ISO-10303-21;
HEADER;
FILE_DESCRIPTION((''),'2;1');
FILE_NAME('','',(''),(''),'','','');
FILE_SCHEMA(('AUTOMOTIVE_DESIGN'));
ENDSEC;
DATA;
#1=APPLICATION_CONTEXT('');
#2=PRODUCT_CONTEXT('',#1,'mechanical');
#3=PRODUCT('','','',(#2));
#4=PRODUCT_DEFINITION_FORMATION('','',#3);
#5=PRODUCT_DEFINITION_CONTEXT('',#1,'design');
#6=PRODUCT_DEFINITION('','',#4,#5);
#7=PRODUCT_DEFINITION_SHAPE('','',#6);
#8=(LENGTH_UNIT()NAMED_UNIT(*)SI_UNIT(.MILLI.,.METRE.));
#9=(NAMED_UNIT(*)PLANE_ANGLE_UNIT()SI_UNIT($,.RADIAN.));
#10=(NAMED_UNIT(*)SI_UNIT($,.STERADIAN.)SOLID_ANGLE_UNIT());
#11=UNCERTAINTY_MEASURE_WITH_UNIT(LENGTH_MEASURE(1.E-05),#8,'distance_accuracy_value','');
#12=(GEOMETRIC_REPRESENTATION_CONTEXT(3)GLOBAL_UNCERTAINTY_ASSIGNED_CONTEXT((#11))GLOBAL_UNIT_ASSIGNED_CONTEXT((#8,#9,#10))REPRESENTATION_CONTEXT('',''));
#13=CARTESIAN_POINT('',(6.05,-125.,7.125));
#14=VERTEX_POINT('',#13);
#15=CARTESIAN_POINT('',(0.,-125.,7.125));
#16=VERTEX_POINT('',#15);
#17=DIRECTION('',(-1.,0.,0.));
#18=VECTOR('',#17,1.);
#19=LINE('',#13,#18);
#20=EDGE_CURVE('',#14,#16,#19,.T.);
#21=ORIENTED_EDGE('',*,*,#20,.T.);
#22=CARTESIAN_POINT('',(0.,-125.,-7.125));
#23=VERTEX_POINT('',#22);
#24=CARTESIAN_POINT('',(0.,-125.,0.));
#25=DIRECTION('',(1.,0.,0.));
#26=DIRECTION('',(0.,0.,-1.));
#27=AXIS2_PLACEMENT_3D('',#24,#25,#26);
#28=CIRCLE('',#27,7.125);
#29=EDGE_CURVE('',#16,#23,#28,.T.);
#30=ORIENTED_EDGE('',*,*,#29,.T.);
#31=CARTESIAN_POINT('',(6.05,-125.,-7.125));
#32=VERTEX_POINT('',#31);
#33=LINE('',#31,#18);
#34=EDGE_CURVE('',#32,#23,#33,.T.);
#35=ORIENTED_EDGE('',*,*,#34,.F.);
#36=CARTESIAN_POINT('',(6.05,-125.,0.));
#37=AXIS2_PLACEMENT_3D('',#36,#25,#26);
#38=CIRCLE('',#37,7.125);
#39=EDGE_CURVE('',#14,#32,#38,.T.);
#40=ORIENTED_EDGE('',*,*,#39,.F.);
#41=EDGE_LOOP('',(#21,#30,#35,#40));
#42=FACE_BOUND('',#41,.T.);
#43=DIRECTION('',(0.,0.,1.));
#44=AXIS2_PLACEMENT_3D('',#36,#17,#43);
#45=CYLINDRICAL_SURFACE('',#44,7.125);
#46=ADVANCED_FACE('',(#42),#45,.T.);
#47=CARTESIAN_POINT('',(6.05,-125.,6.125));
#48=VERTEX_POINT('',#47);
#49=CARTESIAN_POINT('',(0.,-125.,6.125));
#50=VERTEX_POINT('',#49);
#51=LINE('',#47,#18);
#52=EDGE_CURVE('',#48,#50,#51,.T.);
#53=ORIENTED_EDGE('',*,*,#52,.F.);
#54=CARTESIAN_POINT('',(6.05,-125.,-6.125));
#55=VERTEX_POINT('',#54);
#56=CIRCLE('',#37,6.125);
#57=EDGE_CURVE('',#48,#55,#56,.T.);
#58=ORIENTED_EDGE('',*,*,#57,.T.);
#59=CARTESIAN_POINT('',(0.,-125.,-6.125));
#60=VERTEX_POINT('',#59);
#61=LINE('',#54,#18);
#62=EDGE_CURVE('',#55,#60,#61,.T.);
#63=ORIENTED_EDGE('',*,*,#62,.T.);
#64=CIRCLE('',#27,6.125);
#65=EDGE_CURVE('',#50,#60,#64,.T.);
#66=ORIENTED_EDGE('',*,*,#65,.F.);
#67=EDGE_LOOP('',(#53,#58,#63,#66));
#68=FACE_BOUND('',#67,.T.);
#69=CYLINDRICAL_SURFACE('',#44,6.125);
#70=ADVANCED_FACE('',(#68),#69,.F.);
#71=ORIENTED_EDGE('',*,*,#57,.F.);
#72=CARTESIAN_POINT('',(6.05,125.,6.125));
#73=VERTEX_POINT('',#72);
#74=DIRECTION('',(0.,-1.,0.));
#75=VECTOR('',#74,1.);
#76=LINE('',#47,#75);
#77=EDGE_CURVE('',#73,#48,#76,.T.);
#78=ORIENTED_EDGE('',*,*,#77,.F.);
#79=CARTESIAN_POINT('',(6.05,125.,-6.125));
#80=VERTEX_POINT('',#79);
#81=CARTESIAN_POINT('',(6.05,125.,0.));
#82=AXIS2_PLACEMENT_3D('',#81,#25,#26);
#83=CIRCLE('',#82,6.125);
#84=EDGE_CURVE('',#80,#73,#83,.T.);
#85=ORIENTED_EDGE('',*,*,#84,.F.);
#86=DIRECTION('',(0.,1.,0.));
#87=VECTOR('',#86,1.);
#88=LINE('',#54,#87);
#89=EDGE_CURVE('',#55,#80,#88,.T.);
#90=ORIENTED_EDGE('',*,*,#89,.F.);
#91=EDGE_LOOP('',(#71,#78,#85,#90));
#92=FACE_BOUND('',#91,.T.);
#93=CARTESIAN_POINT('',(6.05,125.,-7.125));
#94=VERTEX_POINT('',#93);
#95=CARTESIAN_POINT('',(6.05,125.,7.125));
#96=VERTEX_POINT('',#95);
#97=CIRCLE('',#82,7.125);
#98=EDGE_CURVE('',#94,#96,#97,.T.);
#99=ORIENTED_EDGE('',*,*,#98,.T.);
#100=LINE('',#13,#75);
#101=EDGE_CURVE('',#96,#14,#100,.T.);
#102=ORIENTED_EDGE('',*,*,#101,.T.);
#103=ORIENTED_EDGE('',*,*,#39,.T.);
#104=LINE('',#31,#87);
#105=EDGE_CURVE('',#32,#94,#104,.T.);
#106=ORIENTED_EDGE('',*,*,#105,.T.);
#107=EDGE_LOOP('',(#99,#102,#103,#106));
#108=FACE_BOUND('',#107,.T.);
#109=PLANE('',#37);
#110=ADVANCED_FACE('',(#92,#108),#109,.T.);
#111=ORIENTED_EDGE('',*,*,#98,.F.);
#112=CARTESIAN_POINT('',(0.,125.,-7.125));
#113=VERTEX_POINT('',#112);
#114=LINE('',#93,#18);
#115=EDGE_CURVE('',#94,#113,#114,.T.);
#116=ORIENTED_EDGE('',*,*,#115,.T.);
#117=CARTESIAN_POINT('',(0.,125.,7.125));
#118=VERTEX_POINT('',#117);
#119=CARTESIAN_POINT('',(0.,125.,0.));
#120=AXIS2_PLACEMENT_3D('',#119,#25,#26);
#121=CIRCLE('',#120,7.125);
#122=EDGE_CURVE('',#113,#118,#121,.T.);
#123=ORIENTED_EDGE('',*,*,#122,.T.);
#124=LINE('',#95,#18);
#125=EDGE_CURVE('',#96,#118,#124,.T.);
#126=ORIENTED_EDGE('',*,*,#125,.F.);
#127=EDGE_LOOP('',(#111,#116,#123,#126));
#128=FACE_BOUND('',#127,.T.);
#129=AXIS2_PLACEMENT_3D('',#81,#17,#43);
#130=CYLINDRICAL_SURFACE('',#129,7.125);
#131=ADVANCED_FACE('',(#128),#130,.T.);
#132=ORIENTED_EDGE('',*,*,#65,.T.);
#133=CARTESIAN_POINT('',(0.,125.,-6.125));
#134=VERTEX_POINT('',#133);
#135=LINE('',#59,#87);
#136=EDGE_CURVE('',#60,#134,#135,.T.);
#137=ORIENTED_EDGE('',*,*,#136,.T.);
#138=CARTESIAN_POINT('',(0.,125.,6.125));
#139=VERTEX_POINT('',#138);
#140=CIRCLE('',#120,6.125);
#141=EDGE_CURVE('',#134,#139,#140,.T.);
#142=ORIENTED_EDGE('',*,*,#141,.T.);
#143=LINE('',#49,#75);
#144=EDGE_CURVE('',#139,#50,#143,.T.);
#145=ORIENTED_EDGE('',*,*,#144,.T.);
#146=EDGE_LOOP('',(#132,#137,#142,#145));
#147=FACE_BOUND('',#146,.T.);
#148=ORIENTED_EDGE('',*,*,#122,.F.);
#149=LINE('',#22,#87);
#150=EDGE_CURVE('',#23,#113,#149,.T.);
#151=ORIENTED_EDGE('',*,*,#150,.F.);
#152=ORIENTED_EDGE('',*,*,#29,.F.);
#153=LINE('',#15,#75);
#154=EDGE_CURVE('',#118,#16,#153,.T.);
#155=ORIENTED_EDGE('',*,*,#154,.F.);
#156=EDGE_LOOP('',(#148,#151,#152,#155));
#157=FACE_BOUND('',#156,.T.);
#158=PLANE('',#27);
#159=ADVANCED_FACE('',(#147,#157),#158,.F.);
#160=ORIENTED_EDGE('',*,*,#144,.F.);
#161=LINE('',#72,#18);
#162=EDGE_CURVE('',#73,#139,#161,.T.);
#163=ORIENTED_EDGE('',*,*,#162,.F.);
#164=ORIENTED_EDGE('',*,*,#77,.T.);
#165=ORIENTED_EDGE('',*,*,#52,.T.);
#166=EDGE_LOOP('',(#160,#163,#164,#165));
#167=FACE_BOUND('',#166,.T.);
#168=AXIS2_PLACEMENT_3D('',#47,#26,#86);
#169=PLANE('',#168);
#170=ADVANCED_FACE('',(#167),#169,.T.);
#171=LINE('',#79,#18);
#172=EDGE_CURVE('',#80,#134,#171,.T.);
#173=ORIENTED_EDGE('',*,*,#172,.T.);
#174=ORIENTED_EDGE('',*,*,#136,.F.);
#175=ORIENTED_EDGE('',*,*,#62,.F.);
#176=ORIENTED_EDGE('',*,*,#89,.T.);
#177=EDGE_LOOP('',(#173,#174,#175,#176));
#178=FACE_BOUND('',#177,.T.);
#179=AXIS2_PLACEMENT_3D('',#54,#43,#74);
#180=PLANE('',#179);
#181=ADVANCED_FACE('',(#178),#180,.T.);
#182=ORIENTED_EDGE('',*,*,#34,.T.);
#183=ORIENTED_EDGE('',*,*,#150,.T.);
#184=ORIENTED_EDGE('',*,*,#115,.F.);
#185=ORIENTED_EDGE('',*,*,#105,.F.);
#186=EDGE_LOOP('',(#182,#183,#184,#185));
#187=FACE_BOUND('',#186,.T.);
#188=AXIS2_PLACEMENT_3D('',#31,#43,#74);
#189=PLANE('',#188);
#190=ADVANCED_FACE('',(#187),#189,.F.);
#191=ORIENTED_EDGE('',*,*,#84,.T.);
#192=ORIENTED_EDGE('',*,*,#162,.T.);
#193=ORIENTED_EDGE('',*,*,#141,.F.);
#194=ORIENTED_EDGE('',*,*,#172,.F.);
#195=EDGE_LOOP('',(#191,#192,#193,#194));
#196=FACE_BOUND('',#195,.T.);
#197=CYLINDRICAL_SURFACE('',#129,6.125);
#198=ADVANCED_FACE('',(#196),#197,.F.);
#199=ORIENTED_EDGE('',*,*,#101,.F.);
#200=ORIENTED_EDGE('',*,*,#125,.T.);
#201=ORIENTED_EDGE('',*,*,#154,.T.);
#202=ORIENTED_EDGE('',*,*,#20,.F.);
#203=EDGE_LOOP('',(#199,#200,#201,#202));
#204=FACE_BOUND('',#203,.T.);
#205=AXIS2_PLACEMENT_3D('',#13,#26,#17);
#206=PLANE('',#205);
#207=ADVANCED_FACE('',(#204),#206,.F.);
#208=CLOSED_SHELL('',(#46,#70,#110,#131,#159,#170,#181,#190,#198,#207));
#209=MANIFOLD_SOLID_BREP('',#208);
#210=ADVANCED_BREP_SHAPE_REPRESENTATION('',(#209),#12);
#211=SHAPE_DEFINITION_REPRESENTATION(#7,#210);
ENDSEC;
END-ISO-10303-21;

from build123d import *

# Parameters (mm, degrees)
BOSS_EXTRUDE1_DEPTH = 6.05


with BuildPart() as part:
    # Sketch1 → Boss-Extrude1 (new body)
    with BuildSketch(Plane.YZ):
        with BuildLine():
            Line((-125, 7.125), (125, 7.125))
            ThreePointArc((125, 7.125), (132.125, 0), (125, -7.125))
            Line((125, -7.125), (-125, -7.125))
            ThreePointArc((-125, -7.125), (-132.125, 0), (-125, 7.125))
        make_face()
        with BuildLine():
            Line((-125, 6.125), (125, 6.125))
            ThreePointArc((125, 6.125), (131.125, 0), (125, -6.125))
            Line((125, -6.125), (-125, -6.125))
            ThreePointArc((-125, -6.125), (-131.125, 0), (-125, 6.125))
        make_face(mode=Mode.SUBTRACT)
    extrude(amount=BOSS_EXTRUDE1_DEPTH)


solid = part.part
